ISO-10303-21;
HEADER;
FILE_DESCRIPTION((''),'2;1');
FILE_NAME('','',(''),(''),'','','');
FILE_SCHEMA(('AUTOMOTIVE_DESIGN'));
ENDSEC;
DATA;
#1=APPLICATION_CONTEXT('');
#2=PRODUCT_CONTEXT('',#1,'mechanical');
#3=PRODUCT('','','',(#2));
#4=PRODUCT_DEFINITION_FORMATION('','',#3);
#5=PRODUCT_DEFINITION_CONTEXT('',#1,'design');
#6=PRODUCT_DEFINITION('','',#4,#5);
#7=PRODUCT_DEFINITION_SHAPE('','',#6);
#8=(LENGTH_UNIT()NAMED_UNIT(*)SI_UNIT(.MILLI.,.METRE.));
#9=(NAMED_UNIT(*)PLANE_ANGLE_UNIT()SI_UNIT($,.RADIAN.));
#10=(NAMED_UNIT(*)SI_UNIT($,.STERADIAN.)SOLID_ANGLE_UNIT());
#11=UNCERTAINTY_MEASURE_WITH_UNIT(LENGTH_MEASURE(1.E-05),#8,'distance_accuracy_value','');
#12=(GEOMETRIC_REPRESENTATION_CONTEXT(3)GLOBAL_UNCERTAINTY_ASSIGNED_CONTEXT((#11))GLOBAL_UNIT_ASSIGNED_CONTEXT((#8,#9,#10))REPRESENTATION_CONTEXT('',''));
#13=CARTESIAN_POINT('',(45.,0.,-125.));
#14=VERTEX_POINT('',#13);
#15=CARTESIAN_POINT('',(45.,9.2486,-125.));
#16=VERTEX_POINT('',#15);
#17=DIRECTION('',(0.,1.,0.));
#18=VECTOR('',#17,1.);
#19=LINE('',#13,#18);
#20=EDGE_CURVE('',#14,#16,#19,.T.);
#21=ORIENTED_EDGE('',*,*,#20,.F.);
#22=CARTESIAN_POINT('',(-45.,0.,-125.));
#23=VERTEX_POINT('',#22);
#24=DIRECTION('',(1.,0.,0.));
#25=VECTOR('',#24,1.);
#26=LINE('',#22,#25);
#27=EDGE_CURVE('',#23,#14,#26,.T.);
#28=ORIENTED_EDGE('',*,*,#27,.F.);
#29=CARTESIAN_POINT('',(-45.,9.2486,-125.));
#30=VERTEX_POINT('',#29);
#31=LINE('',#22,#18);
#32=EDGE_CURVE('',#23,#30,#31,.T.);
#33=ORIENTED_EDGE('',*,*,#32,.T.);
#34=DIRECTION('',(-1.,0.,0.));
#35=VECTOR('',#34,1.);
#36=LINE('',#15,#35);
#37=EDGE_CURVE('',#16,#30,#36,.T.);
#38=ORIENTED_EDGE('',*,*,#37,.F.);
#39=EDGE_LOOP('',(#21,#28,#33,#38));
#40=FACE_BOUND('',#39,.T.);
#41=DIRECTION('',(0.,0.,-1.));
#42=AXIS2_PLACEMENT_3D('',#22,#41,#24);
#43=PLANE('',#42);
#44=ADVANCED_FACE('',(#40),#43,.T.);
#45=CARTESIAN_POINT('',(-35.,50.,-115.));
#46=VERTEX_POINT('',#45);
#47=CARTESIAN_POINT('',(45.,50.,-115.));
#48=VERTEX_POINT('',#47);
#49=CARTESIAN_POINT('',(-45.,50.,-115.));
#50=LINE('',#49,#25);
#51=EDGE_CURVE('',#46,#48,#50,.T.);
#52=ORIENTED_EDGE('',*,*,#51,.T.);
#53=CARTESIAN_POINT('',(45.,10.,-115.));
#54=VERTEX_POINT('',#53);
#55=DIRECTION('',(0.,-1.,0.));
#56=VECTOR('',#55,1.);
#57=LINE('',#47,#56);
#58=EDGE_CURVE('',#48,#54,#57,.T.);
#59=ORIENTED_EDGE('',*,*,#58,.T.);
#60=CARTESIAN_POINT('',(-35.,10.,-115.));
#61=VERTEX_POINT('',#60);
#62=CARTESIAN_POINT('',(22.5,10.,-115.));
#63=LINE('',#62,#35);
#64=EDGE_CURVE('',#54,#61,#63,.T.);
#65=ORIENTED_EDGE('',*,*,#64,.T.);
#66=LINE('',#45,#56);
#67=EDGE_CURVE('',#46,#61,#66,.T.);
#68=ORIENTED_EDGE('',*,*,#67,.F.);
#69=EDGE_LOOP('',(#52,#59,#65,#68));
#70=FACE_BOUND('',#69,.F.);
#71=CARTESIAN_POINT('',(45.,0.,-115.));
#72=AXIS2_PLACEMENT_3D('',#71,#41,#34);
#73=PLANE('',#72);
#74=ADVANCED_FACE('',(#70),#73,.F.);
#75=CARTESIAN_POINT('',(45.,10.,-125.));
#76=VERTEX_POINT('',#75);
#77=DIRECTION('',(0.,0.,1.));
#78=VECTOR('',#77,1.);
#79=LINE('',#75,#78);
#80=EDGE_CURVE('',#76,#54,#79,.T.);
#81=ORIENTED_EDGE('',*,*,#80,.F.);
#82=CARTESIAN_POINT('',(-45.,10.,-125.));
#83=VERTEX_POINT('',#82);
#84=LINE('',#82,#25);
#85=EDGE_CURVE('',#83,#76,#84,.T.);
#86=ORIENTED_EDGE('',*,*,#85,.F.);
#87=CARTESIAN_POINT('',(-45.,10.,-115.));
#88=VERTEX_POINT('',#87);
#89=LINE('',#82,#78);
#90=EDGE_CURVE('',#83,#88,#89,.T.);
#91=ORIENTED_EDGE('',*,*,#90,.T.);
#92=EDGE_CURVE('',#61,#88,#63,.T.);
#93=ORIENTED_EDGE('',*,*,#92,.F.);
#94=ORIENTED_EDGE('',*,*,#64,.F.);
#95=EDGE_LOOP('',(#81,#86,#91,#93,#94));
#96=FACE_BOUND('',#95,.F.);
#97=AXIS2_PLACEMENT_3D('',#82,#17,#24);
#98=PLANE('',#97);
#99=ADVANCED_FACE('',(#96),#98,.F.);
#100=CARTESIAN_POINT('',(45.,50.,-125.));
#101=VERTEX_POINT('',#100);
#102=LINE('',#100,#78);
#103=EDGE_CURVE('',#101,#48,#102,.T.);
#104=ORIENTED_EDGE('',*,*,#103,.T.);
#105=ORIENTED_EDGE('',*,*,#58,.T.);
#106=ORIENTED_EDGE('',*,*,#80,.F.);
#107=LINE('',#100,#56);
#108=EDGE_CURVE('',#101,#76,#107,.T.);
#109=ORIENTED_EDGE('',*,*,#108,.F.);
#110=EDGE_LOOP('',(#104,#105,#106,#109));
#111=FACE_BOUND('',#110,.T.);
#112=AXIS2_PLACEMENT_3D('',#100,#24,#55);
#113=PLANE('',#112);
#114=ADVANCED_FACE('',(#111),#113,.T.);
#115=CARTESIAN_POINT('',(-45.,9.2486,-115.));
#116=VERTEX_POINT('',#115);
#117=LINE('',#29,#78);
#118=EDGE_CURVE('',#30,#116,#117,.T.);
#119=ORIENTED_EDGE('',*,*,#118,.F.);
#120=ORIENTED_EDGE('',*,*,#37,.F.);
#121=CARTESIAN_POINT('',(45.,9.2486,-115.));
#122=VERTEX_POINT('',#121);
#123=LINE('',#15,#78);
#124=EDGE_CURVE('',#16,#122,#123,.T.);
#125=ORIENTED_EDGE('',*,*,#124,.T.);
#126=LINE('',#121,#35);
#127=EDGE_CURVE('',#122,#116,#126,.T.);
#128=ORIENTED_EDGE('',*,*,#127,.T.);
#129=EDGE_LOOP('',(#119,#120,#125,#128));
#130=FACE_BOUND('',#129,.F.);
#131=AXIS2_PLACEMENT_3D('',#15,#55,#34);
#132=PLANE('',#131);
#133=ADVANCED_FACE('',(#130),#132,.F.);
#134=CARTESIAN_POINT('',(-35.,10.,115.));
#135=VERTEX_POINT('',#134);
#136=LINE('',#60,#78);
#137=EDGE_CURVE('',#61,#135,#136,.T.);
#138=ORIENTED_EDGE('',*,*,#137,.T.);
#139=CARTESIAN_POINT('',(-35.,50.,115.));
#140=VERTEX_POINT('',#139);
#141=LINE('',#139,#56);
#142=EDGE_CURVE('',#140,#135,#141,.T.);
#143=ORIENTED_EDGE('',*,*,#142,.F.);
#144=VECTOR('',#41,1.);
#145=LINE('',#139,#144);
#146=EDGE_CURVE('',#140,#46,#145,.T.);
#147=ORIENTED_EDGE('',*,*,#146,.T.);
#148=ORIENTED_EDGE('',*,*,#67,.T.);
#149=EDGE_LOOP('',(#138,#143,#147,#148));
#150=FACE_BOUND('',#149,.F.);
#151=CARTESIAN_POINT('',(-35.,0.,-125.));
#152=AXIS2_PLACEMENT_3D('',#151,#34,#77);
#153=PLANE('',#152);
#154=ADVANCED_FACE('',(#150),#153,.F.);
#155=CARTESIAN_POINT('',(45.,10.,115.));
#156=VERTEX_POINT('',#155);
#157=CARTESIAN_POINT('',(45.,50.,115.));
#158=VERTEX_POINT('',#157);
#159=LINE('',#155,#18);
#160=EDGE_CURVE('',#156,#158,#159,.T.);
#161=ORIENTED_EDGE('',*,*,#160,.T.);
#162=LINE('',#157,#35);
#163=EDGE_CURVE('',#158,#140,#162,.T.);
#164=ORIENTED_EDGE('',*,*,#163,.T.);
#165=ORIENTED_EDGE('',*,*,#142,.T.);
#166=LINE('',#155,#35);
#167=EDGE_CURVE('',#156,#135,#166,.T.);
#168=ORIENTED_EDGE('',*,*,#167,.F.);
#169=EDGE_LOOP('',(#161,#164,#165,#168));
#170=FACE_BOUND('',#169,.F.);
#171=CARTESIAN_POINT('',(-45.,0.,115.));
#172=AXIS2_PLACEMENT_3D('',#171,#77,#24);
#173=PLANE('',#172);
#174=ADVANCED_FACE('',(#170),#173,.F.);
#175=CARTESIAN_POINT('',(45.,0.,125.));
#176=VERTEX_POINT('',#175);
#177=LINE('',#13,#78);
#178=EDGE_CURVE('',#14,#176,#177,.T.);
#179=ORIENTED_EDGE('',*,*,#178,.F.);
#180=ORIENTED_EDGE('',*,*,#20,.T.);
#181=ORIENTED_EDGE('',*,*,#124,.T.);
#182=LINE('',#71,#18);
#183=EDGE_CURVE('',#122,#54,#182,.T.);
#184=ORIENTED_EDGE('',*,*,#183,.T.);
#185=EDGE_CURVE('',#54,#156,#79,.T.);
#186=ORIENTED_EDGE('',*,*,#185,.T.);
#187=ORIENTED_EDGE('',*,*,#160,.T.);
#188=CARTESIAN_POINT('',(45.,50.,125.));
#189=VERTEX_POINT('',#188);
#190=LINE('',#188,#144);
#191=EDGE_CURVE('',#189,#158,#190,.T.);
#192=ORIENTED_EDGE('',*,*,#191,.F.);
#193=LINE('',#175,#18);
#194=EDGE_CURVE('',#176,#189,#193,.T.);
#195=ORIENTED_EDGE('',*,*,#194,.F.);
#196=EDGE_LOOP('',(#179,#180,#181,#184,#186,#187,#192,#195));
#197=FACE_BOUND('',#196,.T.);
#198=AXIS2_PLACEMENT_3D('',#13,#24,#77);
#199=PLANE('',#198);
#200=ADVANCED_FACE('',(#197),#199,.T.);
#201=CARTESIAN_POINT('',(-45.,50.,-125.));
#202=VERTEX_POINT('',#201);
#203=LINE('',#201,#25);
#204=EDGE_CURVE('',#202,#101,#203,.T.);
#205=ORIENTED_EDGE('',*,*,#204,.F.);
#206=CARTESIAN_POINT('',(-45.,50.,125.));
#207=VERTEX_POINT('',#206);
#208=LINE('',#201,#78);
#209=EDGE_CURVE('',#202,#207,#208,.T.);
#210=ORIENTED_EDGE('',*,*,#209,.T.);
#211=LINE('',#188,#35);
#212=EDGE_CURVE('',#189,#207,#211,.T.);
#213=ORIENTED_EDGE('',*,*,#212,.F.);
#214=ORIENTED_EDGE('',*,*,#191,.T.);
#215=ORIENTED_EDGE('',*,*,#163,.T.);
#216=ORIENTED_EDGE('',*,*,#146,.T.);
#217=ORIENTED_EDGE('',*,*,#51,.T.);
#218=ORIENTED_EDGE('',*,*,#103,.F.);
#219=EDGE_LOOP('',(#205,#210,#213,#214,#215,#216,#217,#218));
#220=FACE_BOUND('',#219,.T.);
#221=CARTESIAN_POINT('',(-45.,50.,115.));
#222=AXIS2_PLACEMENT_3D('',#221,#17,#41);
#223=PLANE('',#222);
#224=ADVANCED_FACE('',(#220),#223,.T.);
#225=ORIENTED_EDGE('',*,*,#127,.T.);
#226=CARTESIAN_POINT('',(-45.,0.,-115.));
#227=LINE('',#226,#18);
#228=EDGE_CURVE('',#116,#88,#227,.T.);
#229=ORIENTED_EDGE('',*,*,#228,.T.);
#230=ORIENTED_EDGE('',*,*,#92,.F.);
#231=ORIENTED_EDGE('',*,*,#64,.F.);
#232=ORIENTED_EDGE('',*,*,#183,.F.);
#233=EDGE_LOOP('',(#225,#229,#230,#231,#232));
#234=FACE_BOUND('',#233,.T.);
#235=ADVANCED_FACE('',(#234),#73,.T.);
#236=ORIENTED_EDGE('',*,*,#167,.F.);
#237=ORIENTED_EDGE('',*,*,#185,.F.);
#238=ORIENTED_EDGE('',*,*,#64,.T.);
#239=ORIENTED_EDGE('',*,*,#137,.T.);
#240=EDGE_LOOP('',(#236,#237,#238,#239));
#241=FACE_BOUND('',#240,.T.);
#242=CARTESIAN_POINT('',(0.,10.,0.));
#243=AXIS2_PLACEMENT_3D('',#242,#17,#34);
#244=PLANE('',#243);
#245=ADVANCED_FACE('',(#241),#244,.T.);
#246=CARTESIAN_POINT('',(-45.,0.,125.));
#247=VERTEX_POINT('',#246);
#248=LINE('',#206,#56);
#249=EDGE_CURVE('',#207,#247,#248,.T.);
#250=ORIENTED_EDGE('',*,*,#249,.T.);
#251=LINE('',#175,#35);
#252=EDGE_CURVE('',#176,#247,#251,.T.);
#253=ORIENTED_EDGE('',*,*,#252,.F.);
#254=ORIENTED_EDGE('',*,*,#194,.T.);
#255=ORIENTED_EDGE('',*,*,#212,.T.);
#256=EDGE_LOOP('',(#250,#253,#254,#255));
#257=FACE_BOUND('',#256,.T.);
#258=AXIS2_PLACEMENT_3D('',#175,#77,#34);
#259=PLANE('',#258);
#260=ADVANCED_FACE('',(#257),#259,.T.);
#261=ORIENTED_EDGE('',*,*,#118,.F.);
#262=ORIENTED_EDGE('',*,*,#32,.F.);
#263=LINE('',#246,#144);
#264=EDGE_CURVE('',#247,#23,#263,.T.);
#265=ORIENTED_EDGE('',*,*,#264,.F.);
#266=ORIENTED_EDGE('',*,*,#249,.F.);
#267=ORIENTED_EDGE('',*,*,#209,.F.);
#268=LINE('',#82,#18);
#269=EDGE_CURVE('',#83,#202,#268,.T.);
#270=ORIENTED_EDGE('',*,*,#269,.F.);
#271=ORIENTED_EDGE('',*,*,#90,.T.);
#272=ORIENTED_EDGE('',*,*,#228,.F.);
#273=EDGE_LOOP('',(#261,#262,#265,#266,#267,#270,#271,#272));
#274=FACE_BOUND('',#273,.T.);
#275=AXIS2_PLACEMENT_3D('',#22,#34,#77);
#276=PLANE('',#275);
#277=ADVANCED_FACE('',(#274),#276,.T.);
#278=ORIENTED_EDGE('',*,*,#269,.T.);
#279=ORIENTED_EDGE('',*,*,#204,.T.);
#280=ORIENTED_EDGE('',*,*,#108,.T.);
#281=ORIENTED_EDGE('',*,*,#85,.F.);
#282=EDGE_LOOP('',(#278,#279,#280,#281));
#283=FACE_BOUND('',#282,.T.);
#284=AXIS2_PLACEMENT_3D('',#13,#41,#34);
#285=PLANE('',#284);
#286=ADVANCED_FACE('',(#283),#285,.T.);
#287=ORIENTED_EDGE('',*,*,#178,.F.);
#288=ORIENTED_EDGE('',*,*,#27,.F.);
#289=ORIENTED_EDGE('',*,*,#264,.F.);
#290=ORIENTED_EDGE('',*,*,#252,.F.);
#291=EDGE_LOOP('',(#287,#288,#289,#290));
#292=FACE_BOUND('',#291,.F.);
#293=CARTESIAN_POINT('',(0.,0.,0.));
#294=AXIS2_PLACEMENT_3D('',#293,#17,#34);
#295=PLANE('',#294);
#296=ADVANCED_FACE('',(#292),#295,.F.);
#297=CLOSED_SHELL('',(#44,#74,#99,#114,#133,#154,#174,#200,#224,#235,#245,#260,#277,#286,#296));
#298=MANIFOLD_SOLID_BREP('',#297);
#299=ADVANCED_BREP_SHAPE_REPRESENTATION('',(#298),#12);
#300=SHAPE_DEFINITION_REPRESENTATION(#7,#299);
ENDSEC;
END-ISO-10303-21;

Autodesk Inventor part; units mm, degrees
ref_plane "YZ Plane" through (0, 0, 0) normal (1, 0, 0) x (0, 1, 0)
ref_plane "XZ Plane" through (0, 0, 0) normal (0, 1, 0) x (-1, 0, 0)
ref_plane "XY Plane" through (0, 0, 0) normal (0, 0, 1) x (1, 0, 0)
sketch "Sketch1" plane through (0, 0, 0) normal (0, 1, 0) x (-1, 0, 0)
  line L0 (-45, 125) -> (45, 125)
  line L1 (45, 125) -> (45, -125)
  line L2 (45, -125) -> (-45, -125)
  line L3 (-45, -125) -> (-45, 125)
  line L4 (-45, 125) -> (45, -125) construction
  line L5 (45, 125) -> (-45, -125) construction
  point P0 (0, 0)
  dimension "d0" = 250
  dimension "d1" = 90
extrude "Extrusion1" add sketch "Sketch1" along normal blind 10
sketch "Sketch2" plane through (-45, 0, 125) normal (0, 0, 1) x (1, 0, 0)
  line L0 (90, 10) -> (0, 10) projected
  line L1 (0, 10) -> (90, 10)
  line L2 (90, 10) -> (90, 50)
  line L3 (90, 50) -> (0, 50)
  line L4 (0, 50) -> (0, 10)
  point P0 (45, 0)
  dimension "d4" = 40
extrude "Extrusion2" add sketch "Sketch2" against normal blind 10
sketch "Sketch3" plane through (45, 0, -125) normal (0, 0, -1) x (-1, 0, 0)
  line L0 (0, 0) -> (0, 50) projected
  line L1 (90, 0) -> (90, 50) projected
  line L2 (0, 9.2486) -> (90, 9.2486)
  line L3 (90, 9.2486) -> (90, 50)
  line L4 (90, 50) -> (0, 50)
  line L5 (0, 50) -> (0, 9.2486)
  point P0 (45, 0)
  point P1 (90, 9.2486)
extrude "Extrusion3" cut sketch "Sketch3" against normal blind 10
sketch "Sketch4" plane through (45, 0, -125) normal (0, 0, -1) x (-1, 0, 0)
  line L0 (90, 10) -> (0, 10) projected
  line L1 (90, 10) -> (90, 50) projected
  line L2 (0, 10) -> (90, 10)
  line L3 (90, 10) -> (90, 50)
  line L4 (90, 50) -> (0, 50)
  line L5 (0, 50) -> (0, 10)
  point P0 (45, 0)
extrude "Extrusion4" add sketch "Sketch4" against normal blind 10
sketch "Sketch5" plane through (-45, 0, -125) normal (-1, 0, 0) x (0, 0, 1)
  line L0 (10, 50) -> (10, 10) projected
  line L1 (240, 50) -> (240, 10) projected
  line L2 (10, 10) -> (240, 10)
  line L3 (240, 10) -> (240, 50)
  line L4 (240, 50) -> (10, 50)
  line L5 (10, 50) -> (10, 10)
  point P0 (125, 0)
extrude "Extrusion5" add sketch "Sketch5" against normal blind 10
properties part number "aaa"
